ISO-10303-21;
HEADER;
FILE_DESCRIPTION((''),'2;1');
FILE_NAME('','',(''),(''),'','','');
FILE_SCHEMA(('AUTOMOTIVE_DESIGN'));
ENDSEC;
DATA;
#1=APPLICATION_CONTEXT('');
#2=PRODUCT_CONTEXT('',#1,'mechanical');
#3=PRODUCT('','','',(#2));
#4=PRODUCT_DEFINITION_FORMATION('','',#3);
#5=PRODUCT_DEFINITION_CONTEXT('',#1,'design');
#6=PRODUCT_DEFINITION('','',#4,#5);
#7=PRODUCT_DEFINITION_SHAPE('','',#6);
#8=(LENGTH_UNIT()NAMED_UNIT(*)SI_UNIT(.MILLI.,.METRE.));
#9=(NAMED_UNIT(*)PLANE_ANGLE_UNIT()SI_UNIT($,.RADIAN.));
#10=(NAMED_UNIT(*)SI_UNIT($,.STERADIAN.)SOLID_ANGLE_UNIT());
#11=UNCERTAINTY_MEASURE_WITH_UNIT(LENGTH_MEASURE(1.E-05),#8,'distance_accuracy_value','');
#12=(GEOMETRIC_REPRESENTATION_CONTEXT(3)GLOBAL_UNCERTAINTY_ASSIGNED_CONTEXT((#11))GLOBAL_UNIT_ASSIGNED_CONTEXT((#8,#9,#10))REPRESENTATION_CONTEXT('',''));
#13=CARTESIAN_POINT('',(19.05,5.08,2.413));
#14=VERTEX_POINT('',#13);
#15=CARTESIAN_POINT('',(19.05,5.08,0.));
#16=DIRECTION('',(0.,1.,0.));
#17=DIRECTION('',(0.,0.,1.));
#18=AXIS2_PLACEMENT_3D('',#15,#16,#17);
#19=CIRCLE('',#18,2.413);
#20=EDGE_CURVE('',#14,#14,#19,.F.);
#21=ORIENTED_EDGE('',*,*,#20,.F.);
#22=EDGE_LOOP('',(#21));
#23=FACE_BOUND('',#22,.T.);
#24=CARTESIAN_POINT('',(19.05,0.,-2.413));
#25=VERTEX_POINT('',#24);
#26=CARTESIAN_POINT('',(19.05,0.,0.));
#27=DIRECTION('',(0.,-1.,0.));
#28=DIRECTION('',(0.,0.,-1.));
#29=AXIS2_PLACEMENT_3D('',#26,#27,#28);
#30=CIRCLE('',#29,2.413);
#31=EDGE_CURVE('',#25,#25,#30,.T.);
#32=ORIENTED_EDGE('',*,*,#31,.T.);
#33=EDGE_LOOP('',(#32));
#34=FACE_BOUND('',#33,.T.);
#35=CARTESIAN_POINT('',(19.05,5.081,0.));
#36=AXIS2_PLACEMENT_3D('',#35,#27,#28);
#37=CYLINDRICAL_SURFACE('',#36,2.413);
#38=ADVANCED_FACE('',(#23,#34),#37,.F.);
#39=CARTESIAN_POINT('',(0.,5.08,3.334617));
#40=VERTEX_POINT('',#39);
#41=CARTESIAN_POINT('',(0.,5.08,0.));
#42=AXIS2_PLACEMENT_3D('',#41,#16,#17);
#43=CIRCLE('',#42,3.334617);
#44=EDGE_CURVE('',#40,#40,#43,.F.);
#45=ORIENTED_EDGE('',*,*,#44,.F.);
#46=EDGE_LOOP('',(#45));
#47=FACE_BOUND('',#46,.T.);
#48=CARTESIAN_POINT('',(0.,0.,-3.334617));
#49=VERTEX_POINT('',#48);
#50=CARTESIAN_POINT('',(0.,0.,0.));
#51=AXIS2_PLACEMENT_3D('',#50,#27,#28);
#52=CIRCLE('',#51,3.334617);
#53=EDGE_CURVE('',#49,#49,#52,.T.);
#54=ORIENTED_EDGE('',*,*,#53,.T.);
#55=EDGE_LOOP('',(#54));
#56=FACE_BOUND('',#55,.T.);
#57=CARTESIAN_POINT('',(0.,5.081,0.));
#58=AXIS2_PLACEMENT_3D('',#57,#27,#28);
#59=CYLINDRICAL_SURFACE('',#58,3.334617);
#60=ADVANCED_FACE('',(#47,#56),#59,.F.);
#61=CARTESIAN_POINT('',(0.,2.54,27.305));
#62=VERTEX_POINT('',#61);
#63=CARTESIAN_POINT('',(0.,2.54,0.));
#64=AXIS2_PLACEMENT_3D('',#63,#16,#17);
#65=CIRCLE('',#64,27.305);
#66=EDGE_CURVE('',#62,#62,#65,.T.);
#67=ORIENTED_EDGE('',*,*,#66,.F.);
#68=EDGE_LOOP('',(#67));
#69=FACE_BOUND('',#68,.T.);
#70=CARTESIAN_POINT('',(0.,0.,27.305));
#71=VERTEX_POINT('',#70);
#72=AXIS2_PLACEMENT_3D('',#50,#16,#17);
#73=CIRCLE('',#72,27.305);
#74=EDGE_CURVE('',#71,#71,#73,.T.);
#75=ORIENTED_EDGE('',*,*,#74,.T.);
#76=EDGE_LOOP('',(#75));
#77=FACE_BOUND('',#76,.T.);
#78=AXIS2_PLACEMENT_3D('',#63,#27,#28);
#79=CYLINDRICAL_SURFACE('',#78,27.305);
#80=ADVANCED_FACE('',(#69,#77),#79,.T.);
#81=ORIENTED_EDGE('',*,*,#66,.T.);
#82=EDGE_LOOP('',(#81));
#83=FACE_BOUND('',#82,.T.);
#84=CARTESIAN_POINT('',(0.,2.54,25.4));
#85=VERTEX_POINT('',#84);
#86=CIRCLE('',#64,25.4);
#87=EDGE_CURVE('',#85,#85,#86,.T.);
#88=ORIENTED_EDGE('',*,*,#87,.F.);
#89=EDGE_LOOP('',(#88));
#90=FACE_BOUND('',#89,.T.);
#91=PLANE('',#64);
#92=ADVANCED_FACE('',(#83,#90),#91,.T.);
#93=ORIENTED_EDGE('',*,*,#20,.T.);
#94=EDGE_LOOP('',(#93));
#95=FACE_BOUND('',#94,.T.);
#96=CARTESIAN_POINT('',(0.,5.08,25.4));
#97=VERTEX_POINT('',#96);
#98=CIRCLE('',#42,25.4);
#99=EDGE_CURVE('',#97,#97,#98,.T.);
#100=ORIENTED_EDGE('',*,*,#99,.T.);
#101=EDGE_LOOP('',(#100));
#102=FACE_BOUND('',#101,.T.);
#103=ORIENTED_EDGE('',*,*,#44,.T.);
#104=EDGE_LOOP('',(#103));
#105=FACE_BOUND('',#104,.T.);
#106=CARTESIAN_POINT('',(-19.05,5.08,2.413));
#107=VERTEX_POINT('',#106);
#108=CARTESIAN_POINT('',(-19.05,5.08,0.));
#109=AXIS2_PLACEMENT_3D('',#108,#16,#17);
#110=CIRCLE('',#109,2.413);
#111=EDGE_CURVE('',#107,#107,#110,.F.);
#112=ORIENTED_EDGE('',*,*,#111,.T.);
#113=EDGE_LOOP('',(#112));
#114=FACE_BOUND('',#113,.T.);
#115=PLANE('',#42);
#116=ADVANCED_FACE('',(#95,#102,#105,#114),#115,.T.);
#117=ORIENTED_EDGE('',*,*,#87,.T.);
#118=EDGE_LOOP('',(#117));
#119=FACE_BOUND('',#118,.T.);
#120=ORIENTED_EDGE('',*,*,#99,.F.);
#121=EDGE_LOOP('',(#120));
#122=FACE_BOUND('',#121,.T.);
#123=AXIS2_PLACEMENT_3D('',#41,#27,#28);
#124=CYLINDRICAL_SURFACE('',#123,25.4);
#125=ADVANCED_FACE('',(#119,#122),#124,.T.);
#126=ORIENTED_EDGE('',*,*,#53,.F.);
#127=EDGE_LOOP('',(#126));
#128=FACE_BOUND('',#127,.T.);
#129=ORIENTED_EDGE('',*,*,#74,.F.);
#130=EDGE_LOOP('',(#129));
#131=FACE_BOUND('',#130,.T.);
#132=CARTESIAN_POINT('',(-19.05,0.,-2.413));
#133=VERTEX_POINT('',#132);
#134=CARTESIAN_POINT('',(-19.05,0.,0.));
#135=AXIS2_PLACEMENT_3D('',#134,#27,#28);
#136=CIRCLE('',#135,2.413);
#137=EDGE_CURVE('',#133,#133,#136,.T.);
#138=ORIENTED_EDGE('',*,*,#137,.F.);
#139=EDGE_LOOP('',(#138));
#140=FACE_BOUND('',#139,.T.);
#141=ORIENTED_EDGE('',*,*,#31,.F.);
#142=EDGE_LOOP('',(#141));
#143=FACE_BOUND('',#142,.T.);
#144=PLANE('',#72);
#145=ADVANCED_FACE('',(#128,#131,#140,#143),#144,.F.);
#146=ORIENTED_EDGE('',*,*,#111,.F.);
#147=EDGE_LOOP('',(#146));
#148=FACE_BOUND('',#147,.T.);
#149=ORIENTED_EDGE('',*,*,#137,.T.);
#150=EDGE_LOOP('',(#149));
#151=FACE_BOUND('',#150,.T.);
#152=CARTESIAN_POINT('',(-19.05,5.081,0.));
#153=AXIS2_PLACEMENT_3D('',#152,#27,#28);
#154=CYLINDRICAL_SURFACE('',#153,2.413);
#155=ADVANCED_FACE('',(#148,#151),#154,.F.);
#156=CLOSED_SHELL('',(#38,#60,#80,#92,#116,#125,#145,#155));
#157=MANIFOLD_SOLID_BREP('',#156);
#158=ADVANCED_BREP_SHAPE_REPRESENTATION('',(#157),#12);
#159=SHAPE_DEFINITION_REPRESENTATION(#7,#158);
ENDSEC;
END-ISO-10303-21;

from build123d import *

# Parameters (mm, degrees)
SKETCH1_R           = 27.305
BOSS_EXTRUDE1_DEPTH = 2.54
SKETCH2_R           = 25.4
BOSS_EXTRUDE2_DEPTH = 2.54
CUT_EXTRUDE1_REACH  = 7.08
SKETCH3_R           = 3.334616924
SKETCH3_R_2         = 2.413


with BuildPart() as part:
    # Sketch1 → Boss-Extrude1 (new body)
    with BuildSketch(Plane(origin=(0, 0, 0), x_dir=(1, 0, 0), z_dir=(0, 1, 0))):
        Circle(SKETCH1_R)
    extrude(amount=BOSS_EXTRUDE1_DEPTH)

    # Sketch2 → Boss-Extrude2 (add)
    with BuildSketch(Plane(origin=(0, 2.54, 0), x_dir=(1, 0, 0), z_dir=(0, 1, 0))):
        Circle(SKETCH2_R)
    extrude(amount=BOSS_EXTRUDE2_DEPTH)

    # Sketch3 → Cut-Extrude1 (cut, up to next)
    with BuildSketch(Plane.XZ, mode=Mode.PRIVATE) as cut_extrude1_sk1:
        Circle(SKETCH3_R)
    cut_extrude1_tool1 = extrude(cut_extrude1_sk1.sketch, amount=-CUT_EXTRUDE1_REACH, mode=Mode.PRIVATE) & part.part
    add(cut_extrude1_tool1.solids().sort_by_distance((0, 0, 0))[0], mode=Mode.SUBTRACT)
    # Sketch3 → Cut-Extrude1 (cut, up to next)
    with BuildSketch(Plane.XZ, mode=Mode.PRIVATE) as cut_extrude1_sk2:
        with Locations((-19.05, 0)):
            Circle(SKETCH3_R_2)
    cut_extrude1_tool2 = extrude(cut_extrude1_sk2.sketch, amount=-CUT_EXTRUDE1_REACH, mode=Mode.PRIVATE) & part.part
    add(cut_extrude1_tool2.solids().sort_by_distance((-19.05, 0, 0))[0], mode=Mode.SUBTRACT)
    # Sketch3 → Cut-Extrude1 (cut, up to next)
    with BuildSketch(Plane.XZ, mode=Mode.PRIVATE) as cut_extrude1_sk3:
        with Locations((19.05, 0)):
            Circle(SKETCH3_R_2)
    cut_extrude1_tool3 = extrude(cut_extrude1_sk3.sketch, amount=-CUT_EXTRUDE1_REACH, mode=Mode.PRIVATE) & part.part
    add(cut_extrude1_tool3.solids().sort_by_distance((19.05, 0, 0))[0], mode=Mode.SUBTRACT)


solid = part.part
